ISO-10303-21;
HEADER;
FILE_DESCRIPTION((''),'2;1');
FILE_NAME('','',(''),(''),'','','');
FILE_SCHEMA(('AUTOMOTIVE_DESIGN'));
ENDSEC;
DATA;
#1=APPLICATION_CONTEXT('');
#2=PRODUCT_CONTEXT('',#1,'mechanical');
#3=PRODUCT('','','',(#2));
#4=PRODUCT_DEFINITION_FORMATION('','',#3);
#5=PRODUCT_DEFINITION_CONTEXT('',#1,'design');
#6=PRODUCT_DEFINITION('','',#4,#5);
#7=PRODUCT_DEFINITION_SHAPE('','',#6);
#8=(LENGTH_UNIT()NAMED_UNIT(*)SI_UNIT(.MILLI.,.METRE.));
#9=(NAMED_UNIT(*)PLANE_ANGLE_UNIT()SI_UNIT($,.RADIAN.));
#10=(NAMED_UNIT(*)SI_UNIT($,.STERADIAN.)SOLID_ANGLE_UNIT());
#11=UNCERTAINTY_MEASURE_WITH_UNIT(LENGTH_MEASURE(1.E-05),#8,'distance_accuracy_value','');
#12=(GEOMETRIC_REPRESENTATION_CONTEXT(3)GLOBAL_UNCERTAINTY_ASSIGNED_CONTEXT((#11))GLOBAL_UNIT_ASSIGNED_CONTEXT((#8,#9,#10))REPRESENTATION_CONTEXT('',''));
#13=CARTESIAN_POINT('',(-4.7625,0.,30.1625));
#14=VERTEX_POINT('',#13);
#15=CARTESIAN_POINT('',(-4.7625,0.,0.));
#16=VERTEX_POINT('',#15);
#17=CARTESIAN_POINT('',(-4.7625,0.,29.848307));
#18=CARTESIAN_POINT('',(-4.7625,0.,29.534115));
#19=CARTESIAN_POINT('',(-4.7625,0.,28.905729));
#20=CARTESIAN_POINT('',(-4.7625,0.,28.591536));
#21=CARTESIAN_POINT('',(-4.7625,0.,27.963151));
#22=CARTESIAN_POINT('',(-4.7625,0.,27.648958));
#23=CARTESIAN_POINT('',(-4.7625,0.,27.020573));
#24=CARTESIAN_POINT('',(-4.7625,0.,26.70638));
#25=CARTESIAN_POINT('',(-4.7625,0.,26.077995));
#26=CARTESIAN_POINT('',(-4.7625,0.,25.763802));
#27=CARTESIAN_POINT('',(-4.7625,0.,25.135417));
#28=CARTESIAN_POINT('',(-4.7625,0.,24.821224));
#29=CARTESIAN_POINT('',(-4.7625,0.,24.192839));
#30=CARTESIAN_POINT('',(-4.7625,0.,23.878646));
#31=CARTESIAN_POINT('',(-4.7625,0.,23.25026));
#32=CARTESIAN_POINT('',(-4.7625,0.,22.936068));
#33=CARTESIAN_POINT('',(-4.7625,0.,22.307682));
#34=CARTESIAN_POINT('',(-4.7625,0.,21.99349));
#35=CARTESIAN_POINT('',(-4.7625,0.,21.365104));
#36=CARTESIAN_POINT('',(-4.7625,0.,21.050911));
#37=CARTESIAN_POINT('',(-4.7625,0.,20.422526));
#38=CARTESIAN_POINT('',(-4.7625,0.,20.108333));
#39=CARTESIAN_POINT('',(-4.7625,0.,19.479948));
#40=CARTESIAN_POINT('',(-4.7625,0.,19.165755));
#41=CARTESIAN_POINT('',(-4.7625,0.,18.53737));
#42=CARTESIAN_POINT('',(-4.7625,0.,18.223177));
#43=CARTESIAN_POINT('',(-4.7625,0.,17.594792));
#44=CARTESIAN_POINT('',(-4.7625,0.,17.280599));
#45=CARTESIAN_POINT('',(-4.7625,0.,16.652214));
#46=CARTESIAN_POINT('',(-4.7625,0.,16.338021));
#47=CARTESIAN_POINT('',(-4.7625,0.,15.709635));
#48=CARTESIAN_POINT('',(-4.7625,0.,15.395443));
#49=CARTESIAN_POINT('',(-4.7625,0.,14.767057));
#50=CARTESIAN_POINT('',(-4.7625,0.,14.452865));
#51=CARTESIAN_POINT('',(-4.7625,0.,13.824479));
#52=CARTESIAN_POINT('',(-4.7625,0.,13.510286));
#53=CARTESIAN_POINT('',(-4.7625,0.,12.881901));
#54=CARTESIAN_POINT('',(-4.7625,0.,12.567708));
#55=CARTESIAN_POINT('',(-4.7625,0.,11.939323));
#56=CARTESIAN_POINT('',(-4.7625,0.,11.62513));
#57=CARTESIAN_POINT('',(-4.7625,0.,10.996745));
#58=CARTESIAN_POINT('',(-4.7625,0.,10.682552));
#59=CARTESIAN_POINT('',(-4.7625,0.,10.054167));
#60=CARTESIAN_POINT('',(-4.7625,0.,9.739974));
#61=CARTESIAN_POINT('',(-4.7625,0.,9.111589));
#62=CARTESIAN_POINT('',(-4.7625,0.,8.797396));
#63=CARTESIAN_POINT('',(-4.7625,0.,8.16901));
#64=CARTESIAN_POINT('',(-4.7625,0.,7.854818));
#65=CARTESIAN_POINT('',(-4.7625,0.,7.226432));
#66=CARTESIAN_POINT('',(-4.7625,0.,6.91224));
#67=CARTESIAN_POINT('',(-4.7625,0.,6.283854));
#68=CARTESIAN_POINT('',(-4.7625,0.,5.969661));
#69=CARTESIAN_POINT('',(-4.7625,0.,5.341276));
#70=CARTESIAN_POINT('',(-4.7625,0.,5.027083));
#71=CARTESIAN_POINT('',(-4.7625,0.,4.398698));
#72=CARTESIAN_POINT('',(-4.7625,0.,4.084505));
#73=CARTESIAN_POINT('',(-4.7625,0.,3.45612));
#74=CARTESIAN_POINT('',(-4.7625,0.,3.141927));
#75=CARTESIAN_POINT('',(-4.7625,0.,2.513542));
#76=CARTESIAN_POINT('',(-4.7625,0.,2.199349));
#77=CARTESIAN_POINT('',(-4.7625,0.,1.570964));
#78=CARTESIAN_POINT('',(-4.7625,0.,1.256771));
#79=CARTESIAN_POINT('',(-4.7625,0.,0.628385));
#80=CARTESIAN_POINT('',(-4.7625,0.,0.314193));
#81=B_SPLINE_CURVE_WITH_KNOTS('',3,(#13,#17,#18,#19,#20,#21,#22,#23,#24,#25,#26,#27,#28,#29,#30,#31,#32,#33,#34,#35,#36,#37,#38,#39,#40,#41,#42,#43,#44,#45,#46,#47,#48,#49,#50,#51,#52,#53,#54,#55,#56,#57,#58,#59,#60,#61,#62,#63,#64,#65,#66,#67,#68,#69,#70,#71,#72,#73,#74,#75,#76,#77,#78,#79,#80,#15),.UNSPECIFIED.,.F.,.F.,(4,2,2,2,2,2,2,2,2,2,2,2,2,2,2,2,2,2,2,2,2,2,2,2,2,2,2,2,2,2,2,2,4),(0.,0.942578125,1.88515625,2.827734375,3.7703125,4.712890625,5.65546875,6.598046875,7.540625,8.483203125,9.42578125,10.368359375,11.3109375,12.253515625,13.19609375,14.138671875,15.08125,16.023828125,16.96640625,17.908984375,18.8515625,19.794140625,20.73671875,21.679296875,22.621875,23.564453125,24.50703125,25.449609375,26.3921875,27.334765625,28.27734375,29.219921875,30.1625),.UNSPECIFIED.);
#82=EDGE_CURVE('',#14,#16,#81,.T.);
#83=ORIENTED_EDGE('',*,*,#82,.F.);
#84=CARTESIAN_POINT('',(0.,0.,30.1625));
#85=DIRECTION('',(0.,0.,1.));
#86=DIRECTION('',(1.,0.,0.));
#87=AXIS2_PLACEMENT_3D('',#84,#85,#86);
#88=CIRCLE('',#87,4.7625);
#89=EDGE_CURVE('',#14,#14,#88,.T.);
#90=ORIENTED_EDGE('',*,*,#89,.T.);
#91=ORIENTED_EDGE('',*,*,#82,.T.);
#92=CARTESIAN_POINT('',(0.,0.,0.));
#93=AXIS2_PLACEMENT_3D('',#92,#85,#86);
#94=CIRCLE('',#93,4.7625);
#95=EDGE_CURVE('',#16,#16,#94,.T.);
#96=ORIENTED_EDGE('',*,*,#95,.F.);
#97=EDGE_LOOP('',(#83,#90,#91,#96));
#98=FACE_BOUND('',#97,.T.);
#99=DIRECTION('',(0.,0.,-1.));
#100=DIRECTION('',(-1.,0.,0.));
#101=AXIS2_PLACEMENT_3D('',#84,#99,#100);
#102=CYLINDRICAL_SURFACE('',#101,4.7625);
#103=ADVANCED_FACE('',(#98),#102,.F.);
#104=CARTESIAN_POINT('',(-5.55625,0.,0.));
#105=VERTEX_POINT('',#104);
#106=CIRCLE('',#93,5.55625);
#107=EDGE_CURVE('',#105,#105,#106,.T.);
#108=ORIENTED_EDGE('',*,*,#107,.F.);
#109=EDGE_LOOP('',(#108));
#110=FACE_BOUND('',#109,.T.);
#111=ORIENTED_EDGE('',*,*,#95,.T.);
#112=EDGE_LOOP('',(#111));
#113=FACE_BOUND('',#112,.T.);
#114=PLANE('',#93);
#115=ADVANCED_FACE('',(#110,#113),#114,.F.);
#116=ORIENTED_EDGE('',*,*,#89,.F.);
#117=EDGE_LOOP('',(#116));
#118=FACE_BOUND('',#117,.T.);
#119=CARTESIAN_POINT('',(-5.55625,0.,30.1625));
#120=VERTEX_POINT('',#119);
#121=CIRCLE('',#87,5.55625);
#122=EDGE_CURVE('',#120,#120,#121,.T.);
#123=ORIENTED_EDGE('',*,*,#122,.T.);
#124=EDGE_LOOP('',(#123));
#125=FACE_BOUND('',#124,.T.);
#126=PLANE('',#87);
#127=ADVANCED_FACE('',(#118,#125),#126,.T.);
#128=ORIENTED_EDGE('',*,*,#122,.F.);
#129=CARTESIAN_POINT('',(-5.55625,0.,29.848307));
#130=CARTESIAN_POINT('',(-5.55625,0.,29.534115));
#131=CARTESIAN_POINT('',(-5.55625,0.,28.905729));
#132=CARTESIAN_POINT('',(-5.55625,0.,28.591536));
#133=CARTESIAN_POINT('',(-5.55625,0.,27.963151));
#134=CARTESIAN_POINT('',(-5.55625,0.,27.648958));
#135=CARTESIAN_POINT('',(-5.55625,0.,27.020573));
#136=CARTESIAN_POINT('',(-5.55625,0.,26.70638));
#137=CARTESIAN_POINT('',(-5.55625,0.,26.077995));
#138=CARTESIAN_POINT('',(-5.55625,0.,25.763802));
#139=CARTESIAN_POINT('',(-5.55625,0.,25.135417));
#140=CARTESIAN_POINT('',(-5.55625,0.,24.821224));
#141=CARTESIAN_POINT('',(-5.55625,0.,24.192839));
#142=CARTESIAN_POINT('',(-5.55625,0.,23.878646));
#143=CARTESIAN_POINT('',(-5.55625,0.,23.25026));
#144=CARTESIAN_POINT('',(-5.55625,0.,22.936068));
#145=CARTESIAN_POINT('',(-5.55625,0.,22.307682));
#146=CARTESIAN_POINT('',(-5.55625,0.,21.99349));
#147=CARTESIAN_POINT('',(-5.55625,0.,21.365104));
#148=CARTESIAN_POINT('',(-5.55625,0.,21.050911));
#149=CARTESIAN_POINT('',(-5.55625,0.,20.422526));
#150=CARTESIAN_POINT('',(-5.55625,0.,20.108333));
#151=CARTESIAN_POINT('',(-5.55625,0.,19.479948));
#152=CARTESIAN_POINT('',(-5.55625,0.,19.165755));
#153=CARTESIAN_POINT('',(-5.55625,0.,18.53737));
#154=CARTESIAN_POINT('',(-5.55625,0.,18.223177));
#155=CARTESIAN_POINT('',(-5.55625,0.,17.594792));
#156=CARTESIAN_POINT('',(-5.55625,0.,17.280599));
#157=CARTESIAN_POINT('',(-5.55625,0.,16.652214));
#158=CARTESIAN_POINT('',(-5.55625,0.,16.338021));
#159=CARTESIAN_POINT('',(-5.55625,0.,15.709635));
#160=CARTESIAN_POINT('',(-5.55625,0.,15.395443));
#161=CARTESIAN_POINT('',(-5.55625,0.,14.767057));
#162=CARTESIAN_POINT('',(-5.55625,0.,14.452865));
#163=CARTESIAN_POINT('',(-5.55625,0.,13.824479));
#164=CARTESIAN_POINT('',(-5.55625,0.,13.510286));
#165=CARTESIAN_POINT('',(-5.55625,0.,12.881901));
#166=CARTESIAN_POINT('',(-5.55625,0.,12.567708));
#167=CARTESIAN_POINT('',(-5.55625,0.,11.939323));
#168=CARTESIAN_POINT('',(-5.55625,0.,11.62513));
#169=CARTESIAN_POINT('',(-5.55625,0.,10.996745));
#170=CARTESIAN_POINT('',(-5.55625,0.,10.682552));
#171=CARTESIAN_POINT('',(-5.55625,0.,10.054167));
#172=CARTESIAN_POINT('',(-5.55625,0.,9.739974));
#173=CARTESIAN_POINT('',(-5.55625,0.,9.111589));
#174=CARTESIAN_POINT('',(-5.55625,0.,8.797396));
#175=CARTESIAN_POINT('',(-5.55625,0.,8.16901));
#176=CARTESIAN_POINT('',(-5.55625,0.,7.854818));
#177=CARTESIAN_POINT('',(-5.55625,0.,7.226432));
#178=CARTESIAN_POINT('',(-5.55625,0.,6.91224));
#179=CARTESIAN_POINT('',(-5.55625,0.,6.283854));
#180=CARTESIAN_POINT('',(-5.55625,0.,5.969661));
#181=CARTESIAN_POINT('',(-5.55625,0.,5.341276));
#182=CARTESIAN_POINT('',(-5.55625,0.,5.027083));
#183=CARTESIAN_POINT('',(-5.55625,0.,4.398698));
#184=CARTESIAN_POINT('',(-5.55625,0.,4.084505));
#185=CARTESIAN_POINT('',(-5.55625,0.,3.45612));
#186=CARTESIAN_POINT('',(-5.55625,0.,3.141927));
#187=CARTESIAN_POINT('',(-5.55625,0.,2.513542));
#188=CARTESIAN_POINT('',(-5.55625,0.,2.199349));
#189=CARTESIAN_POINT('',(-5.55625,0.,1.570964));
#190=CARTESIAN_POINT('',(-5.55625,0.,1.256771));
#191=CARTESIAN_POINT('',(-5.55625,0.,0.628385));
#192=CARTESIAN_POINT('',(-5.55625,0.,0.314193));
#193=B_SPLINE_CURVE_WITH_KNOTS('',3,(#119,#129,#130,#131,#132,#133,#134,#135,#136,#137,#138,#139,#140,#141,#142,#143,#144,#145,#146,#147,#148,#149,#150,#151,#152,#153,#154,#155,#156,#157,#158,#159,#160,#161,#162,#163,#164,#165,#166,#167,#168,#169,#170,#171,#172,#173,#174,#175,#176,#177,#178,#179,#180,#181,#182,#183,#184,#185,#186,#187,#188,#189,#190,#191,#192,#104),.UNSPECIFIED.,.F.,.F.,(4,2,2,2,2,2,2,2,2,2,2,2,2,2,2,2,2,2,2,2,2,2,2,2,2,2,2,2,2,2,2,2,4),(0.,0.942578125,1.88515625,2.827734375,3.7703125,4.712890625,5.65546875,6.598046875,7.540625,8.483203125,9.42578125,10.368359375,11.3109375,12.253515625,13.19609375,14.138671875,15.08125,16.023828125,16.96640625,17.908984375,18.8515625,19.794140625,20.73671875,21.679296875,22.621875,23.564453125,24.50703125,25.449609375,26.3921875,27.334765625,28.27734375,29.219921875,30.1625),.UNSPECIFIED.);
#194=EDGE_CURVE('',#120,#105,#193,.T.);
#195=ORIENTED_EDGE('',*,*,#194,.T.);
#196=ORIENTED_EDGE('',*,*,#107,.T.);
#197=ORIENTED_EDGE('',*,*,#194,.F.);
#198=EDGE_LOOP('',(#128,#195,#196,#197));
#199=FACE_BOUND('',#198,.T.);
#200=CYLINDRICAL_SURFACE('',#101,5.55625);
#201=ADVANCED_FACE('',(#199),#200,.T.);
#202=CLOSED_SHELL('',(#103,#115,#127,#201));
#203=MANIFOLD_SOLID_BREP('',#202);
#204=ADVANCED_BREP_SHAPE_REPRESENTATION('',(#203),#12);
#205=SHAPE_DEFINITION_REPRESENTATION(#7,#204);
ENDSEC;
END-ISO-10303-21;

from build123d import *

# Parameters (mm, degrees)
SKETCH1_R           = 5.55625
SKETCH1_R_2         = 4.7625
BOSS_EXTRUDE1_DEPTH = 30.1625


with BuildPart() as part:
    # Sketch1 → Boss-Extrude1 (new body)
    with BuildSketch(Plane.XY):
        with Locations(Location((0, 0, 0), (0, 0, 180))):
            Circle(SKETCH1_R)
        with Locations(Location((0, 0, 0), (0, 0, 180))):
            Circle(SKETCH1_R_2, mode=Mode.SUBTRACT)
    extrude(amount=BOSS_EXTRUDE1_DEPTH)


solid = part.part
